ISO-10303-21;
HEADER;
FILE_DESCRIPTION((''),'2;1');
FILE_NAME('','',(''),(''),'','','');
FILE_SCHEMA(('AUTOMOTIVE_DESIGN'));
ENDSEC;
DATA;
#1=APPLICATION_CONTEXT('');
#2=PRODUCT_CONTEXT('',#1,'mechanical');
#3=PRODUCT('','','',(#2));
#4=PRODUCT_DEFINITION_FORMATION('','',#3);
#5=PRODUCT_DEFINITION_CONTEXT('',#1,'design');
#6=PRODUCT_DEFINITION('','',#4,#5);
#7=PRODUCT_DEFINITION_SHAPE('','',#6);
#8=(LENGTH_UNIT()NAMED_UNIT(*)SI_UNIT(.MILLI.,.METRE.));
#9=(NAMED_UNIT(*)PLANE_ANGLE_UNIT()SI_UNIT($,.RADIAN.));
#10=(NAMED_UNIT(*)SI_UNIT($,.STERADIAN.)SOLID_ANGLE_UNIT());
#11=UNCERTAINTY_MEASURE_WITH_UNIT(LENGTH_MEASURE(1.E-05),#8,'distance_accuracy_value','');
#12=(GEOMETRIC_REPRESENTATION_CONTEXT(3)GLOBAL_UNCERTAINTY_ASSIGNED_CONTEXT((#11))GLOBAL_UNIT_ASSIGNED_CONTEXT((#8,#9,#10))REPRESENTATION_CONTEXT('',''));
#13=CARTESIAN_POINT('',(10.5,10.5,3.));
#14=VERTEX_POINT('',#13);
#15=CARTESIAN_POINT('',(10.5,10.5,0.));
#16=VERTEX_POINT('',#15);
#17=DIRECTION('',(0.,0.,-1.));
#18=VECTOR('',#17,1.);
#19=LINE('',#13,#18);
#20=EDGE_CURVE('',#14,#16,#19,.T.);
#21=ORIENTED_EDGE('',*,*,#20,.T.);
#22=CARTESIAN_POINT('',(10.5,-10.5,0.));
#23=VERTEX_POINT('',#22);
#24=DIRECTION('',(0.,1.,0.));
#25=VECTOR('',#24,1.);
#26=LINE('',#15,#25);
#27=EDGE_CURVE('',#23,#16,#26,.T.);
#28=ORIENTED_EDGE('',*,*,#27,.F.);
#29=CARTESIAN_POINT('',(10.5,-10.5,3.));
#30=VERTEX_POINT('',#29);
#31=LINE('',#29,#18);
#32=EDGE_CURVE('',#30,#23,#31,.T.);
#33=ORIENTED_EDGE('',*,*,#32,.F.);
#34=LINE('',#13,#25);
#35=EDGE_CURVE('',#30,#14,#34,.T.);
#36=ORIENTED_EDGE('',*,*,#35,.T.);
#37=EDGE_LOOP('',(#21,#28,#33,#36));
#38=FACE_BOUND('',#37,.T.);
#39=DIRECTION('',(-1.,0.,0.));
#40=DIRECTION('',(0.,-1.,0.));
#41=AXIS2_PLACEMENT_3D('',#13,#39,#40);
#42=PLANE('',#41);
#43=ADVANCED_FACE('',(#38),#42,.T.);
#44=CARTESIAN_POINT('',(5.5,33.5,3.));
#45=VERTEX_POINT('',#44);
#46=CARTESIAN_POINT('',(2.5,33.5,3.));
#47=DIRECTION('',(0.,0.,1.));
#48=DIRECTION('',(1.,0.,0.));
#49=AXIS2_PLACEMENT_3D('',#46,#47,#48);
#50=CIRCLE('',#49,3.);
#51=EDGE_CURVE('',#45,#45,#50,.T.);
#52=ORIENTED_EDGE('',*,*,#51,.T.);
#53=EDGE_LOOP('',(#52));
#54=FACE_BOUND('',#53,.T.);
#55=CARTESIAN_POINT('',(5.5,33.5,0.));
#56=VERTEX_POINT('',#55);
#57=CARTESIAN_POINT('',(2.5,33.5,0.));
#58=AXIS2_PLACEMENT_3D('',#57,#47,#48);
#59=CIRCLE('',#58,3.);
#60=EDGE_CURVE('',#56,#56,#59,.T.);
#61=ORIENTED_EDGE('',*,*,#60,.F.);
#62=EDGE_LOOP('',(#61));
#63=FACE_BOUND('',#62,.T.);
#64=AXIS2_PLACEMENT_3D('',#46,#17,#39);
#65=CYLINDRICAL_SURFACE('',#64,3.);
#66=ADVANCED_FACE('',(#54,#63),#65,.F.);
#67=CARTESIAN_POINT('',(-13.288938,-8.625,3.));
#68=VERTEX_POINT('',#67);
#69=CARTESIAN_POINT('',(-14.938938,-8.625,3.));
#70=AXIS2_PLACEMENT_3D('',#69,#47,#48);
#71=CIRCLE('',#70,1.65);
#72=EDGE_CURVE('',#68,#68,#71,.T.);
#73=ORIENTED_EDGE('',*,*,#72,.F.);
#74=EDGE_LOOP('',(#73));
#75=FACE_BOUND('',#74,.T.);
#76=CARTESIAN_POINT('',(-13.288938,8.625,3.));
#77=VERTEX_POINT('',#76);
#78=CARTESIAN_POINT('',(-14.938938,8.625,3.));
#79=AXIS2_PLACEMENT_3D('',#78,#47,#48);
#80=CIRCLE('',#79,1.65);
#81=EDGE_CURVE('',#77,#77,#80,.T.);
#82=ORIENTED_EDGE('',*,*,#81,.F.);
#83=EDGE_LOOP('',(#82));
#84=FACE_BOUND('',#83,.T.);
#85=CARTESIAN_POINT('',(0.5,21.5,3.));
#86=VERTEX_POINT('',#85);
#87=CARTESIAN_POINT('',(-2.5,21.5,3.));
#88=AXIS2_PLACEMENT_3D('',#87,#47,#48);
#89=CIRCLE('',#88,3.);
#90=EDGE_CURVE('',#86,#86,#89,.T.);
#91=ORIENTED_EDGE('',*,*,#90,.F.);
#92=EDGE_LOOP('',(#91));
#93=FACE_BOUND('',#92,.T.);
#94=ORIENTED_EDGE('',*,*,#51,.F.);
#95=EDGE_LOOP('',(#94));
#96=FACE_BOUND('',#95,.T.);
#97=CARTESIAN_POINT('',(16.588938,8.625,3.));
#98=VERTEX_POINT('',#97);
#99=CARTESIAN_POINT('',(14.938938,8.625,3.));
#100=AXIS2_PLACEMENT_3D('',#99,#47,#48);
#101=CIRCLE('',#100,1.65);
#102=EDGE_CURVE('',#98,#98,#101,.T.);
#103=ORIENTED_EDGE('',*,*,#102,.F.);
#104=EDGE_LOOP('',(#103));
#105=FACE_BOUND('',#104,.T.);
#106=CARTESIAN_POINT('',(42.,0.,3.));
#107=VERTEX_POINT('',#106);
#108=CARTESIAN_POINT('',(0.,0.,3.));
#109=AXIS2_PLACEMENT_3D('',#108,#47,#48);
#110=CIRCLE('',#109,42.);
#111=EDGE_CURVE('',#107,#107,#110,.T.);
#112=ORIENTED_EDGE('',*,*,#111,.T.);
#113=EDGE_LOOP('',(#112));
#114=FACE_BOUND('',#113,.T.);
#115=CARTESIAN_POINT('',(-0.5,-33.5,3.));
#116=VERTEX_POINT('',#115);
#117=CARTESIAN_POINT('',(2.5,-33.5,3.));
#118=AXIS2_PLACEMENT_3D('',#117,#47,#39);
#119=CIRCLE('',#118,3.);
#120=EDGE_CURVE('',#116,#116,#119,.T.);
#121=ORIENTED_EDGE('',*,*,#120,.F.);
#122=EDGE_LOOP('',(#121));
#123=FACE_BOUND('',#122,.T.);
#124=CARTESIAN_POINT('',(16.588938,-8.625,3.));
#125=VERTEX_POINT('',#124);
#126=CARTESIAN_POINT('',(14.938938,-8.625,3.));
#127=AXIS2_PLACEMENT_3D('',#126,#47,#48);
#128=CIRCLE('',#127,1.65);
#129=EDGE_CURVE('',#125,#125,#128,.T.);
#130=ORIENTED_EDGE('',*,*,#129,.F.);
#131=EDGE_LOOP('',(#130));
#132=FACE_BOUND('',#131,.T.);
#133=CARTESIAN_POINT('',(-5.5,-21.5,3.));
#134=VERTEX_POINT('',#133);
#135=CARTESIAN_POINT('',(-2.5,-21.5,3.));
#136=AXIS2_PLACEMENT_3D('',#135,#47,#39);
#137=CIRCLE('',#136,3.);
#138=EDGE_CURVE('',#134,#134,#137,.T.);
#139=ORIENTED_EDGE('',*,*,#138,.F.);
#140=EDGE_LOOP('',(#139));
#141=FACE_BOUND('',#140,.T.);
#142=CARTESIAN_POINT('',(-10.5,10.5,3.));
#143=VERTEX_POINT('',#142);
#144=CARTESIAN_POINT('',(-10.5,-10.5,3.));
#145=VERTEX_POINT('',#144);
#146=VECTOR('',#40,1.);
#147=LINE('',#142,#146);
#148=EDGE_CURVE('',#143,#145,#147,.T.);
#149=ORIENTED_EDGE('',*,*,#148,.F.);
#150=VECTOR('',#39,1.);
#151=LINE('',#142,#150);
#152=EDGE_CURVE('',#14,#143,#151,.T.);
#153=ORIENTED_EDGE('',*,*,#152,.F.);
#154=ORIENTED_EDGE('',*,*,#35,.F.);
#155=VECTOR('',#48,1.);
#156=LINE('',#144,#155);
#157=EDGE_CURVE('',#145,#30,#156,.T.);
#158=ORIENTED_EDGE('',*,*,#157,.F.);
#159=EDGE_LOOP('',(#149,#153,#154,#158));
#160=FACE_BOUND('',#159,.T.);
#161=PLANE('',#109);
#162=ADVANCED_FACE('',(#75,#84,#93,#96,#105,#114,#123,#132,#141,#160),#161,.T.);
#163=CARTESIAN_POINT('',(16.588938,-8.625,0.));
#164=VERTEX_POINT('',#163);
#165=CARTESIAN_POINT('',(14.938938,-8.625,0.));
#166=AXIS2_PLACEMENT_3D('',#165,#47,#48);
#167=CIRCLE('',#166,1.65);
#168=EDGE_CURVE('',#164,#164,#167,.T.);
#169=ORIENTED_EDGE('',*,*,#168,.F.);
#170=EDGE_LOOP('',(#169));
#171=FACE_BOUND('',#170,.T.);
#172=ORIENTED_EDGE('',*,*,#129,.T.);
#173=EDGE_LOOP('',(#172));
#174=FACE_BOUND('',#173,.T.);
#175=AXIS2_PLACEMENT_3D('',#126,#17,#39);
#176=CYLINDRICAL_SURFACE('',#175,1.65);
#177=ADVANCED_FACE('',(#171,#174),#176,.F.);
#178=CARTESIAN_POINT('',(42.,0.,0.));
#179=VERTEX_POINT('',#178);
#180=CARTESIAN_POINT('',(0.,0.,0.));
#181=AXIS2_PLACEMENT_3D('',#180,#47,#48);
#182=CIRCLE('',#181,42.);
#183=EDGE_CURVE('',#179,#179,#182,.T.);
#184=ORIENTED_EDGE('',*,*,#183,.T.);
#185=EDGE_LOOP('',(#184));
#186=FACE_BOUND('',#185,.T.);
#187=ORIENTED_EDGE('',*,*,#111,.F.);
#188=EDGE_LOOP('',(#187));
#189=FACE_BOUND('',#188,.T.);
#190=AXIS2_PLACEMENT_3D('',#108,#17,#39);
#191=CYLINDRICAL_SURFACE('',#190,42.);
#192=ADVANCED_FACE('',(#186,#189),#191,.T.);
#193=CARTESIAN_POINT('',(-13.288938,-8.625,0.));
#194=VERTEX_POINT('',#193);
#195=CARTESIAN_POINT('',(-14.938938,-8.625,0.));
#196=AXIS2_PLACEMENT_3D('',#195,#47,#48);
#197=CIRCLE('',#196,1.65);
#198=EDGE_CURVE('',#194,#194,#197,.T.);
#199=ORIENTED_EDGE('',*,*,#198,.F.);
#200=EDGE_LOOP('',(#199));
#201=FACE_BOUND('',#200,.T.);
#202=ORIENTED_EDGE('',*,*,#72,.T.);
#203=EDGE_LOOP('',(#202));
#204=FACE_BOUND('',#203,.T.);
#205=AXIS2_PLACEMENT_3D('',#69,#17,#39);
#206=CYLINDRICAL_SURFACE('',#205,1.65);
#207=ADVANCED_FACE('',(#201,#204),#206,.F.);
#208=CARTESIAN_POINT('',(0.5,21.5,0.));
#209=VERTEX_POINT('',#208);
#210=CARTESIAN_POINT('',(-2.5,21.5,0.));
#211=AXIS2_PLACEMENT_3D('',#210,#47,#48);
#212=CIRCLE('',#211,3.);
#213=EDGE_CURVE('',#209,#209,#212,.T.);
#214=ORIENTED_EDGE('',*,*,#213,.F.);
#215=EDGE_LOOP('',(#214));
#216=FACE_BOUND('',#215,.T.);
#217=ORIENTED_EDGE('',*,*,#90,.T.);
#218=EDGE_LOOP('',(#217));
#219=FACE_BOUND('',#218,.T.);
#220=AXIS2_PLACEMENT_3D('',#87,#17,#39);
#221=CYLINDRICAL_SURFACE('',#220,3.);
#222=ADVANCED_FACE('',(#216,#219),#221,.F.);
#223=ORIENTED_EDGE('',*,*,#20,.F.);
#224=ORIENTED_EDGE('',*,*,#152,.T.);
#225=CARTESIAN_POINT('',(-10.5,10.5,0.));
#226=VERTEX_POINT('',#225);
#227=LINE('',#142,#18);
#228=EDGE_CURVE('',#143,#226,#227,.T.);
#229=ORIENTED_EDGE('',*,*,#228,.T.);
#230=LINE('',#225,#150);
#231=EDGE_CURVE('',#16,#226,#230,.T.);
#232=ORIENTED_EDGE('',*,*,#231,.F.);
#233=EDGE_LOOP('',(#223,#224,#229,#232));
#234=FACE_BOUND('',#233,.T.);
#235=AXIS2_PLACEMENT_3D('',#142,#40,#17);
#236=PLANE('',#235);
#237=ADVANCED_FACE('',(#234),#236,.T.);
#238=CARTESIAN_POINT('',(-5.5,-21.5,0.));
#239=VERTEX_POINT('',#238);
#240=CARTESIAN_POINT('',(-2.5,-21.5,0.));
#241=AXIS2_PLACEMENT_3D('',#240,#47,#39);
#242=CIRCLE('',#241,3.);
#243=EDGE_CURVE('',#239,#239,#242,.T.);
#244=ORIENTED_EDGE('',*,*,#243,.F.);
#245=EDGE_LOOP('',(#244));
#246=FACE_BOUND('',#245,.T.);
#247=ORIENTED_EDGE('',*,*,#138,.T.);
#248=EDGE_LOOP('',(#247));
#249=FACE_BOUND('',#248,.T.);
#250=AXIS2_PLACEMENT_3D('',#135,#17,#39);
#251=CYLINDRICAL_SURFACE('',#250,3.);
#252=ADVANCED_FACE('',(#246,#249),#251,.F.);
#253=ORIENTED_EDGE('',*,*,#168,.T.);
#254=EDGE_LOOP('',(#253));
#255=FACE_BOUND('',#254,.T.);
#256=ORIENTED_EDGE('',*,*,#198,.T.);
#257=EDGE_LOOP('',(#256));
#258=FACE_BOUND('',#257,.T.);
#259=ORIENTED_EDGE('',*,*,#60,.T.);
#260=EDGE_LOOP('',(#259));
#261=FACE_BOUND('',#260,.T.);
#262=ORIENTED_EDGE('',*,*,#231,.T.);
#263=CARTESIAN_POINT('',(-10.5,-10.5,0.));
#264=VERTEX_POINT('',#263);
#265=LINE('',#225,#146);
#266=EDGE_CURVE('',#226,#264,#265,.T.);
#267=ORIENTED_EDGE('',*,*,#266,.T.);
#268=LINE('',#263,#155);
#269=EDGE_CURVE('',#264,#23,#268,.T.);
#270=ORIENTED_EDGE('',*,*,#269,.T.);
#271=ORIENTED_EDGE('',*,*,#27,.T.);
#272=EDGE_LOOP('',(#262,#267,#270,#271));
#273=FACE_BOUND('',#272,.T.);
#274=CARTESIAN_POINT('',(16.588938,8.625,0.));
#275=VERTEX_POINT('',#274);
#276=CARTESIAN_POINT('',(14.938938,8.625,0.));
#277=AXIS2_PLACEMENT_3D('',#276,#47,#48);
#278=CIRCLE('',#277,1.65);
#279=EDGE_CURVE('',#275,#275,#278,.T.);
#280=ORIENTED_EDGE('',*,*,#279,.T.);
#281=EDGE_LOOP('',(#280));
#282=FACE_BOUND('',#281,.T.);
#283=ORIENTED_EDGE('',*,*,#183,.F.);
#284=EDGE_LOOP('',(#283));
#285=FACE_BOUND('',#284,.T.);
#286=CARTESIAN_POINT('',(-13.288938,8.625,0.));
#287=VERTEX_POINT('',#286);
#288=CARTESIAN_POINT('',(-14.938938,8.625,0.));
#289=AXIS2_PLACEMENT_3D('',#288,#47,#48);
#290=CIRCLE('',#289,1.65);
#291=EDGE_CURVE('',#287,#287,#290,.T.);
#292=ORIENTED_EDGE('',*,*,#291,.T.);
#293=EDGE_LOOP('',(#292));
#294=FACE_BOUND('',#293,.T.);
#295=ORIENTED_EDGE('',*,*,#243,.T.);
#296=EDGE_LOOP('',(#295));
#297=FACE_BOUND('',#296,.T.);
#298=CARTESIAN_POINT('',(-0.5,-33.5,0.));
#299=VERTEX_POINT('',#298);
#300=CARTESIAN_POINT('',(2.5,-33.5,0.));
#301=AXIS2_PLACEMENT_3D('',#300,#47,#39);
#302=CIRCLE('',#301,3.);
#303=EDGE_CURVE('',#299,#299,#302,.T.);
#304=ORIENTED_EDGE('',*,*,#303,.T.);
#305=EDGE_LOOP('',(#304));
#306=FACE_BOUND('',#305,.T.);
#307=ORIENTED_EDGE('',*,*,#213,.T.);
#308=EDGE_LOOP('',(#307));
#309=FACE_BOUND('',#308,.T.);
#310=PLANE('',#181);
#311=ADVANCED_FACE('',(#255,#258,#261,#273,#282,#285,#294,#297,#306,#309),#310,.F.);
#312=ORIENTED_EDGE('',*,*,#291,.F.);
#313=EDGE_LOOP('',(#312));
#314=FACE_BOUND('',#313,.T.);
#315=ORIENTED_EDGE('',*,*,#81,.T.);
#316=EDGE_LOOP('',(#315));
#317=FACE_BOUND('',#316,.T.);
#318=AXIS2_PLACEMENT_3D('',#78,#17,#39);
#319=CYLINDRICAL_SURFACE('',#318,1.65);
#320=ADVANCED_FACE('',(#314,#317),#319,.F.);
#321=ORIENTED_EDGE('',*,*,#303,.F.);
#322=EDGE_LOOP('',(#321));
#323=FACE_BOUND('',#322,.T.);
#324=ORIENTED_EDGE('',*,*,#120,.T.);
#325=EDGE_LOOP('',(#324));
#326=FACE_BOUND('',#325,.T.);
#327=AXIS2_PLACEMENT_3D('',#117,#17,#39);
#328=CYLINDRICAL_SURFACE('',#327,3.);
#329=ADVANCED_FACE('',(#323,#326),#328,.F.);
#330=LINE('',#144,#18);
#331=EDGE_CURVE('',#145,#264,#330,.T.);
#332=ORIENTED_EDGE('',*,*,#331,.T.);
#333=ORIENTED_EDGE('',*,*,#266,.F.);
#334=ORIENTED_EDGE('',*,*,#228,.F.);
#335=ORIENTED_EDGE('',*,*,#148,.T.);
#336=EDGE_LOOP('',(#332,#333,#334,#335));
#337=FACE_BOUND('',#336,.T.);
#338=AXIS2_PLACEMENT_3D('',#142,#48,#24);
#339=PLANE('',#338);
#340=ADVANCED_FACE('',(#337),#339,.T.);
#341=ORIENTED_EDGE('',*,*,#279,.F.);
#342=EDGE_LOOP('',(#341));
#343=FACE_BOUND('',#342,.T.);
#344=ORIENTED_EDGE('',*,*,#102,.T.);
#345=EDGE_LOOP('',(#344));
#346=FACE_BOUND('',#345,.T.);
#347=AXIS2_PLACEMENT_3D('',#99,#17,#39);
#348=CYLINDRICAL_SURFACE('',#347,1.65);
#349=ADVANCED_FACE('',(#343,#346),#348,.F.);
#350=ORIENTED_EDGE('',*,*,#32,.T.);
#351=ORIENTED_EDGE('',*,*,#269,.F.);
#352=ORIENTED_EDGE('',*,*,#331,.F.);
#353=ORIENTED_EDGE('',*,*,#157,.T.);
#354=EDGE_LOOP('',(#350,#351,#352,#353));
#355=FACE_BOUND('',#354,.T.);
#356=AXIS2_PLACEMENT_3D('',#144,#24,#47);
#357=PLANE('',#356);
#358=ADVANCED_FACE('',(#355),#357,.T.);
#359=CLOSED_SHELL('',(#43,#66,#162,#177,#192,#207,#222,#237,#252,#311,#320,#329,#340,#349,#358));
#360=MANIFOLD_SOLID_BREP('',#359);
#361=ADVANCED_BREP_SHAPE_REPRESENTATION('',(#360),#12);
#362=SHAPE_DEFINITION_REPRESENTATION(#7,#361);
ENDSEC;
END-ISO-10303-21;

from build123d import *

# Parameters (mm, degrees)
SKETCH_1_R      = 42
SKETCH_1_R_2    = 1.65
SKETCH_1_R_3    = 3
SKETCH_1_W      = 21
SKETCH_1_H      = 21
EXTRUDE_1_DEPTH = 3


with BuildPart() as part:
    # 草图1 → 凸台-拉伸1 (new body)
    with BuildSketch(Plane.XY):
        Circle(SKETCH_1_R)
        with Locations((14.938938215, 8.625)):
            Circle(SKETCH_1_R_2, mode=Mode.SUBTRACT)
        with Locations((14.938938215, -8.625)):
            Circle(SKETCH_1_R_2, mode=Mode.SUBTRACT)
        with Locations((-14.938938215, -8.625)):
            Circle(SKETCH_1_R_2, mode=Mode.SUBTRACT)
        with Locations((-14.938938215, 8.625)):
            Circle(SKETCH_1_R_2, mode=Mode.SUBTRACT)
        with Locations((2.5, 33.5)):
            Circle(SKETCH_1_R_3, mode=Mode.SUBTRACT)
        with Locations((-2.5, 21.5)):
            Circle(SKETCH_1_R_3, mode=Mode.SUBTRACT)
        with Locations(Location((-2.5, -21.5, 0), (0, 0, 180))):
            Circle(SKETCH_1_R_3, mode=Mode.SUBTRACT)
        with Locations(Location((2.5, -33.5, 0), (0, 0, 180))):
            Circle(SKETCH_1_R_3, mode=Mode.SUBTRACT)
        Rectangle(SKETCH_1_W, SKETCH_1_H, mode=Mode.SUBTRACT)
    extrude(amount=EXTRUDE_1_DEPTH)


solid = part.part
